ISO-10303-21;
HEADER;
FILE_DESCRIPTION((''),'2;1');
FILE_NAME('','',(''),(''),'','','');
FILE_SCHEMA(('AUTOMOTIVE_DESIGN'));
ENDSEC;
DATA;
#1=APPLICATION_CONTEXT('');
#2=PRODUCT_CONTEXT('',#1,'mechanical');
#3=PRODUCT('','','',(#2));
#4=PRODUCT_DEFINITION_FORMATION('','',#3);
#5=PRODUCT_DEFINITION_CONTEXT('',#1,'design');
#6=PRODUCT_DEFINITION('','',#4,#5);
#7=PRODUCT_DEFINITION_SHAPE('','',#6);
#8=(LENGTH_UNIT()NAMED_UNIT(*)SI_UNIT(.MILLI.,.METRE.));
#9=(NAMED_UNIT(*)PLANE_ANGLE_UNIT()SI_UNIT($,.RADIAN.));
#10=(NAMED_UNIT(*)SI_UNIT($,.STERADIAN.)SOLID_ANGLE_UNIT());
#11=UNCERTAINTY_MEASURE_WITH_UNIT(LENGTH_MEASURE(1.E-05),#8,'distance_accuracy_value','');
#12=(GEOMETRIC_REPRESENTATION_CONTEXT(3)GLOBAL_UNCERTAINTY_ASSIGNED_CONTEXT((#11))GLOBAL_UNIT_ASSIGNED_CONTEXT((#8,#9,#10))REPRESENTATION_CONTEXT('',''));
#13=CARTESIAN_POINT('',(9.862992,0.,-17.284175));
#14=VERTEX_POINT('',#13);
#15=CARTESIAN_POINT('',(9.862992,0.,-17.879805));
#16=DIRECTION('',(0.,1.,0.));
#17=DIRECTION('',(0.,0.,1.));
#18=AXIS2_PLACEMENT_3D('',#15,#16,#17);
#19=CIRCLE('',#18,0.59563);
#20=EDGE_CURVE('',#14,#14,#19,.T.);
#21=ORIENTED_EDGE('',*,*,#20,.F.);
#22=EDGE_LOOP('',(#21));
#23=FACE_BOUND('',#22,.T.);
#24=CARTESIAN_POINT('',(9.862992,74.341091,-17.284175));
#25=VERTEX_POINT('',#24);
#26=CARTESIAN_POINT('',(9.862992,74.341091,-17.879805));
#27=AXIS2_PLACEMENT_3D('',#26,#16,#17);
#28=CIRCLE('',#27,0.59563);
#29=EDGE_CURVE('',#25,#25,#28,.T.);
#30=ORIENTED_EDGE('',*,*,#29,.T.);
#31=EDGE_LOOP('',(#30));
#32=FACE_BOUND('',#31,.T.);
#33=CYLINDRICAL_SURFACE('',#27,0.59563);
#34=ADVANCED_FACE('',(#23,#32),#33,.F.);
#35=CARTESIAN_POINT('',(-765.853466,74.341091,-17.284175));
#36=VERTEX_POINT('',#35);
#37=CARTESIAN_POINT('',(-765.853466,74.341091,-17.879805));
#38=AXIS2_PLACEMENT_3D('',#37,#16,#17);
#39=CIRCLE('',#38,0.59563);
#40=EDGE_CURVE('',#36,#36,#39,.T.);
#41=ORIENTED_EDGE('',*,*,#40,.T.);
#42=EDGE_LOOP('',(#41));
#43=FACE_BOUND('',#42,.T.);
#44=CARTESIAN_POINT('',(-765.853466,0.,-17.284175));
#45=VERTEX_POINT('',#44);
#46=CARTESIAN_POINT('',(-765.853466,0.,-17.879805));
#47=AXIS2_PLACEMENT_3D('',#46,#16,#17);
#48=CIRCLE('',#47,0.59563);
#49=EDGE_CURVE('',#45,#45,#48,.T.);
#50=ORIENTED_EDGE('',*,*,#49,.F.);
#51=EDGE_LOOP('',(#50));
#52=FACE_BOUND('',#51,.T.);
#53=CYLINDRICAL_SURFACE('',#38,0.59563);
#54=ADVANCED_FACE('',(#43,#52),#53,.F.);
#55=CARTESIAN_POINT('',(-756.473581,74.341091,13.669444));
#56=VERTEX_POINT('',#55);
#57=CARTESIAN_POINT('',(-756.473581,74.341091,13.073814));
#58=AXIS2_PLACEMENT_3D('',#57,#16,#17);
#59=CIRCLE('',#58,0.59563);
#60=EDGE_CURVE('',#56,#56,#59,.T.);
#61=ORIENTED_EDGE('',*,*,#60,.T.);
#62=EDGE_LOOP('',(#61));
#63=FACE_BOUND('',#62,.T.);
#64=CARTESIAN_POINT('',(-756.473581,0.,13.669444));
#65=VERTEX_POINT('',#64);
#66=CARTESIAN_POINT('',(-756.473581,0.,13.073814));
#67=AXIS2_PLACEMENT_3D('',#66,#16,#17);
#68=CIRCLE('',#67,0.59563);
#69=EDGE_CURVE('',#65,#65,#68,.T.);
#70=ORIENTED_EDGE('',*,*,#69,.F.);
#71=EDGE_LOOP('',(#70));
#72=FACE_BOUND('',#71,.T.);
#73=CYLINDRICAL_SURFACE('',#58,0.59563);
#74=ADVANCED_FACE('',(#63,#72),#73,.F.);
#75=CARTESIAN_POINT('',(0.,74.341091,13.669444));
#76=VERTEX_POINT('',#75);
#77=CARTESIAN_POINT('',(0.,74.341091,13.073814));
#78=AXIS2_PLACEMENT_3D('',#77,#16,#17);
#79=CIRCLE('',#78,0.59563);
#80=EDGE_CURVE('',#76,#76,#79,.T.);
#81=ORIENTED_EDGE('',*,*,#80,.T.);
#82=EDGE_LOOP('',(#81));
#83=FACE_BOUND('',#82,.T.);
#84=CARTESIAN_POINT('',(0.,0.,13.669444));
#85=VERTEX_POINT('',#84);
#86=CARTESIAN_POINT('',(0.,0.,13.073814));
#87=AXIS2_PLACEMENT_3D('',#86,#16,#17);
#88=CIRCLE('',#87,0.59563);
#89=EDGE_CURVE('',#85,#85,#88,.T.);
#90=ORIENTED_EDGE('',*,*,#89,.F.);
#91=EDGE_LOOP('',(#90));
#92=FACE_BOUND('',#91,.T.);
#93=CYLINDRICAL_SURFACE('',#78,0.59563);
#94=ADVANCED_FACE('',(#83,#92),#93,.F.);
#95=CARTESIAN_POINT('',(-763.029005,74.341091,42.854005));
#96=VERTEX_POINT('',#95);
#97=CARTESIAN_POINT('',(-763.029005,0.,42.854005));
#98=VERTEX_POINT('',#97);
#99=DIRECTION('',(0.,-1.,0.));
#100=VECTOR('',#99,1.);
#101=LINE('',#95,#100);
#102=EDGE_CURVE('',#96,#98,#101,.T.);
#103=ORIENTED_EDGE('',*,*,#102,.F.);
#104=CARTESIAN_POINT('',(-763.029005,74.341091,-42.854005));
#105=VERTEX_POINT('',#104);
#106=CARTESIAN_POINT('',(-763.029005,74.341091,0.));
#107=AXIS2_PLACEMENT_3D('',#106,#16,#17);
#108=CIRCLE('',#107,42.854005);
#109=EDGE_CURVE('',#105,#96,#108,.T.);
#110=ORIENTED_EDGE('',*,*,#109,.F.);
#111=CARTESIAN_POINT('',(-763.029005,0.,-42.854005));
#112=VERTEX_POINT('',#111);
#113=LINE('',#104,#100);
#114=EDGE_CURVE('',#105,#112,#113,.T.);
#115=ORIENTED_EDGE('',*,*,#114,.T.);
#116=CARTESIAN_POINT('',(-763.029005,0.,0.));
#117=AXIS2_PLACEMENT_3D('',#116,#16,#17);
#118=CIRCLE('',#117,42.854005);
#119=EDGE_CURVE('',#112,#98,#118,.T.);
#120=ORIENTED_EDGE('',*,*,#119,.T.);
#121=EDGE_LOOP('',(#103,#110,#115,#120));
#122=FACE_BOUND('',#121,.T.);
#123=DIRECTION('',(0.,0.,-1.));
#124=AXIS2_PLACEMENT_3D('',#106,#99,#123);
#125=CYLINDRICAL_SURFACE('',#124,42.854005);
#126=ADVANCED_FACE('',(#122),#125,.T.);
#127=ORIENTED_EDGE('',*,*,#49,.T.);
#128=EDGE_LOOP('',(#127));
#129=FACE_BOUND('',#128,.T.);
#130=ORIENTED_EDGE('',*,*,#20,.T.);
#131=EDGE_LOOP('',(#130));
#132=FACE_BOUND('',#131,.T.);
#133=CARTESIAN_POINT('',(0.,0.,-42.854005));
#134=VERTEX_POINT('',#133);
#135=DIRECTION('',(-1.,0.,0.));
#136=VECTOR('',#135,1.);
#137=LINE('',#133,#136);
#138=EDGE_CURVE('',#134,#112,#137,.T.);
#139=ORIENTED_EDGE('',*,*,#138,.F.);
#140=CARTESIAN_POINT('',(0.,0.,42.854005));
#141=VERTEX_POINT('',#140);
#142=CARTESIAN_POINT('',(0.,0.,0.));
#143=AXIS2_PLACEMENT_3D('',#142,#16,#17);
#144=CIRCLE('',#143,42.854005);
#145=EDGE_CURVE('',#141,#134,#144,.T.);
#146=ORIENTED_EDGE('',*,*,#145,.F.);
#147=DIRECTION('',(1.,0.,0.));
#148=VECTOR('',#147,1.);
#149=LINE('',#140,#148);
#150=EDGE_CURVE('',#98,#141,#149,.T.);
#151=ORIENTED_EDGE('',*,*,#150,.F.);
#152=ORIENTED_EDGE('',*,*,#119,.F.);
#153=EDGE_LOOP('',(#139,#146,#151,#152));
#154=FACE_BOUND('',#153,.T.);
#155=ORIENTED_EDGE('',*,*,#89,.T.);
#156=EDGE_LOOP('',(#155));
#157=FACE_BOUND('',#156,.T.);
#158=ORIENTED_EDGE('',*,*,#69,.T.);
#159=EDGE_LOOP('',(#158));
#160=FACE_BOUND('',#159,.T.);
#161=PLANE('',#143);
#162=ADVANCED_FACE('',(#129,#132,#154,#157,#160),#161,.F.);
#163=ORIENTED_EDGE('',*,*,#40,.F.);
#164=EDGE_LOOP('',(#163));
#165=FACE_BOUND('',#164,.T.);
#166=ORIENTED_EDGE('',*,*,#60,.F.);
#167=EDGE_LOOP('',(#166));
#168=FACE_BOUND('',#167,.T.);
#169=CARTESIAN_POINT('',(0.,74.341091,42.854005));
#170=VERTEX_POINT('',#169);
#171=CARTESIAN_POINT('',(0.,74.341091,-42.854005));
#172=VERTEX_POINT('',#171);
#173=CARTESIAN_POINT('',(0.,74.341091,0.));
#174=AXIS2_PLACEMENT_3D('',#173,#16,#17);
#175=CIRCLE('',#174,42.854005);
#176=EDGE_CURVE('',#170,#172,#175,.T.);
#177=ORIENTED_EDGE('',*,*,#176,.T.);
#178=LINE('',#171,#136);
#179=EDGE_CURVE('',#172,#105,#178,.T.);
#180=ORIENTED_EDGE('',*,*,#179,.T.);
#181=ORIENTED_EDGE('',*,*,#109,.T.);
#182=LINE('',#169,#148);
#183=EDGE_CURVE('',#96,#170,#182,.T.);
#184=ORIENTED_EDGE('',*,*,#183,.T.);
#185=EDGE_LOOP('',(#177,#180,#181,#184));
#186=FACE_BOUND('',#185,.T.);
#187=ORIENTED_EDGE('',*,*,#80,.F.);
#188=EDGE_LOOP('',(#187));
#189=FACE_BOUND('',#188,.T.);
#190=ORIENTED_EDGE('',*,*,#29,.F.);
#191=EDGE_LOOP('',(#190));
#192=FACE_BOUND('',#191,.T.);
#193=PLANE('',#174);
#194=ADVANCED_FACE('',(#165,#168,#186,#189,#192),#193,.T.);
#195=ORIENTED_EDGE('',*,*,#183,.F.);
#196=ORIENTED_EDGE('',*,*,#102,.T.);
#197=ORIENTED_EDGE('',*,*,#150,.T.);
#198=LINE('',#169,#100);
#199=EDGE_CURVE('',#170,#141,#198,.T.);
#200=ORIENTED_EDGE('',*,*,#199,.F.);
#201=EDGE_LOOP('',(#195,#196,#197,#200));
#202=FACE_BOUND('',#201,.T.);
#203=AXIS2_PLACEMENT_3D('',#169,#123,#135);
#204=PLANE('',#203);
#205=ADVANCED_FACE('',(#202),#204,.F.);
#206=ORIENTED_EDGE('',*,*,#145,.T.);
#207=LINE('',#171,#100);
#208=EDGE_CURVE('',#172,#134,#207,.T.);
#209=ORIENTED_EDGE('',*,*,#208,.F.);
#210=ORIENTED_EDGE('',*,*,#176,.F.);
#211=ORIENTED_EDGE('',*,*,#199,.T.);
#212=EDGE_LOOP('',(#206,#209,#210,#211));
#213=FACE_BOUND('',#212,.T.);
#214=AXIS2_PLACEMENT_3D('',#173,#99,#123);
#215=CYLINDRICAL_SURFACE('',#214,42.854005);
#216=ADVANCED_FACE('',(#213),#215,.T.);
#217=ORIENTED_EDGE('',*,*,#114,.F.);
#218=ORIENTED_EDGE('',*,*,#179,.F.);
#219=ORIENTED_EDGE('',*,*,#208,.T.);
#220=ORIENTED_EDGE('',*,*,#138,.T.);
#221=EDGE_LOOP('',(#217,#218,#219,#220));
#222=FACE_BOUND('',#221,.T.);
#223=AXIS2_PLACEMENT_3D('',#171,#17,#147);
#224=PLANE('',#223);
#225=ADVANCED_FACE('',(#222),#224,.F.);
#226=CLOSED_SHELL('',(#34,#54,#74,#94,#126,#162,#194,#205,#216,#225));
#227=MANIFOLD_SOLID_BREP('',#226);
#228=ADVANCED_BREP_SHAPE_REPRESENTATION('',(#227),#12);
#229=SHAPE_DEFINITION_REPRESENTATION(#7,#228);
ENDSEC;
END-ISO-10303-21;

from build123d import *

# Parameters (mm, degrees)
BOSS_EXTRUDE1_DEPTH   = 74.341091188
F_0_80_TAPPED_HOLE2_D = 1.19126


with BuildPart() as part:
    # Sketch1 → Boss-Extrude1 (new body)
    with BuildSketch(Plane(origin=(0, 0, 0), x_dir=(1, 0, 0), z_dir=(0, 1, 0))):
        with BuildLine():
            Line((0, -42.854004512), (-763.0290048, -42.854004512))
            ThreePointArc((-763.0290048, -42.854004512), (-805.883009312, 0), (-763.0290048, 42.854004512))
            Line((-763.0290048, 42.854004512), (0, 42.854004512))
            ThreePointArc((0, 42.854004512), (42.854004512, 0), (0, -42.854004512))
        make_face()
    extrude(amount=BOSS_EXTRUDE1_DEPTH)

    # #0-80 Tapped Hole2 (through all)
    with Locations(Plane(origin=(0, 74.341091188, 0), x_dir=(1, 0, 0), z_dir=(0, 1, 0))):
        with Locations((9.862991623, 17.879805094), (0, -13.073814135), (-765.853466012, 17.879805094), (-756.473581397, -13.073814135)):
            Hole(F_0_80_TAPPED_HOLE2_D / 2)


solid = part.part
